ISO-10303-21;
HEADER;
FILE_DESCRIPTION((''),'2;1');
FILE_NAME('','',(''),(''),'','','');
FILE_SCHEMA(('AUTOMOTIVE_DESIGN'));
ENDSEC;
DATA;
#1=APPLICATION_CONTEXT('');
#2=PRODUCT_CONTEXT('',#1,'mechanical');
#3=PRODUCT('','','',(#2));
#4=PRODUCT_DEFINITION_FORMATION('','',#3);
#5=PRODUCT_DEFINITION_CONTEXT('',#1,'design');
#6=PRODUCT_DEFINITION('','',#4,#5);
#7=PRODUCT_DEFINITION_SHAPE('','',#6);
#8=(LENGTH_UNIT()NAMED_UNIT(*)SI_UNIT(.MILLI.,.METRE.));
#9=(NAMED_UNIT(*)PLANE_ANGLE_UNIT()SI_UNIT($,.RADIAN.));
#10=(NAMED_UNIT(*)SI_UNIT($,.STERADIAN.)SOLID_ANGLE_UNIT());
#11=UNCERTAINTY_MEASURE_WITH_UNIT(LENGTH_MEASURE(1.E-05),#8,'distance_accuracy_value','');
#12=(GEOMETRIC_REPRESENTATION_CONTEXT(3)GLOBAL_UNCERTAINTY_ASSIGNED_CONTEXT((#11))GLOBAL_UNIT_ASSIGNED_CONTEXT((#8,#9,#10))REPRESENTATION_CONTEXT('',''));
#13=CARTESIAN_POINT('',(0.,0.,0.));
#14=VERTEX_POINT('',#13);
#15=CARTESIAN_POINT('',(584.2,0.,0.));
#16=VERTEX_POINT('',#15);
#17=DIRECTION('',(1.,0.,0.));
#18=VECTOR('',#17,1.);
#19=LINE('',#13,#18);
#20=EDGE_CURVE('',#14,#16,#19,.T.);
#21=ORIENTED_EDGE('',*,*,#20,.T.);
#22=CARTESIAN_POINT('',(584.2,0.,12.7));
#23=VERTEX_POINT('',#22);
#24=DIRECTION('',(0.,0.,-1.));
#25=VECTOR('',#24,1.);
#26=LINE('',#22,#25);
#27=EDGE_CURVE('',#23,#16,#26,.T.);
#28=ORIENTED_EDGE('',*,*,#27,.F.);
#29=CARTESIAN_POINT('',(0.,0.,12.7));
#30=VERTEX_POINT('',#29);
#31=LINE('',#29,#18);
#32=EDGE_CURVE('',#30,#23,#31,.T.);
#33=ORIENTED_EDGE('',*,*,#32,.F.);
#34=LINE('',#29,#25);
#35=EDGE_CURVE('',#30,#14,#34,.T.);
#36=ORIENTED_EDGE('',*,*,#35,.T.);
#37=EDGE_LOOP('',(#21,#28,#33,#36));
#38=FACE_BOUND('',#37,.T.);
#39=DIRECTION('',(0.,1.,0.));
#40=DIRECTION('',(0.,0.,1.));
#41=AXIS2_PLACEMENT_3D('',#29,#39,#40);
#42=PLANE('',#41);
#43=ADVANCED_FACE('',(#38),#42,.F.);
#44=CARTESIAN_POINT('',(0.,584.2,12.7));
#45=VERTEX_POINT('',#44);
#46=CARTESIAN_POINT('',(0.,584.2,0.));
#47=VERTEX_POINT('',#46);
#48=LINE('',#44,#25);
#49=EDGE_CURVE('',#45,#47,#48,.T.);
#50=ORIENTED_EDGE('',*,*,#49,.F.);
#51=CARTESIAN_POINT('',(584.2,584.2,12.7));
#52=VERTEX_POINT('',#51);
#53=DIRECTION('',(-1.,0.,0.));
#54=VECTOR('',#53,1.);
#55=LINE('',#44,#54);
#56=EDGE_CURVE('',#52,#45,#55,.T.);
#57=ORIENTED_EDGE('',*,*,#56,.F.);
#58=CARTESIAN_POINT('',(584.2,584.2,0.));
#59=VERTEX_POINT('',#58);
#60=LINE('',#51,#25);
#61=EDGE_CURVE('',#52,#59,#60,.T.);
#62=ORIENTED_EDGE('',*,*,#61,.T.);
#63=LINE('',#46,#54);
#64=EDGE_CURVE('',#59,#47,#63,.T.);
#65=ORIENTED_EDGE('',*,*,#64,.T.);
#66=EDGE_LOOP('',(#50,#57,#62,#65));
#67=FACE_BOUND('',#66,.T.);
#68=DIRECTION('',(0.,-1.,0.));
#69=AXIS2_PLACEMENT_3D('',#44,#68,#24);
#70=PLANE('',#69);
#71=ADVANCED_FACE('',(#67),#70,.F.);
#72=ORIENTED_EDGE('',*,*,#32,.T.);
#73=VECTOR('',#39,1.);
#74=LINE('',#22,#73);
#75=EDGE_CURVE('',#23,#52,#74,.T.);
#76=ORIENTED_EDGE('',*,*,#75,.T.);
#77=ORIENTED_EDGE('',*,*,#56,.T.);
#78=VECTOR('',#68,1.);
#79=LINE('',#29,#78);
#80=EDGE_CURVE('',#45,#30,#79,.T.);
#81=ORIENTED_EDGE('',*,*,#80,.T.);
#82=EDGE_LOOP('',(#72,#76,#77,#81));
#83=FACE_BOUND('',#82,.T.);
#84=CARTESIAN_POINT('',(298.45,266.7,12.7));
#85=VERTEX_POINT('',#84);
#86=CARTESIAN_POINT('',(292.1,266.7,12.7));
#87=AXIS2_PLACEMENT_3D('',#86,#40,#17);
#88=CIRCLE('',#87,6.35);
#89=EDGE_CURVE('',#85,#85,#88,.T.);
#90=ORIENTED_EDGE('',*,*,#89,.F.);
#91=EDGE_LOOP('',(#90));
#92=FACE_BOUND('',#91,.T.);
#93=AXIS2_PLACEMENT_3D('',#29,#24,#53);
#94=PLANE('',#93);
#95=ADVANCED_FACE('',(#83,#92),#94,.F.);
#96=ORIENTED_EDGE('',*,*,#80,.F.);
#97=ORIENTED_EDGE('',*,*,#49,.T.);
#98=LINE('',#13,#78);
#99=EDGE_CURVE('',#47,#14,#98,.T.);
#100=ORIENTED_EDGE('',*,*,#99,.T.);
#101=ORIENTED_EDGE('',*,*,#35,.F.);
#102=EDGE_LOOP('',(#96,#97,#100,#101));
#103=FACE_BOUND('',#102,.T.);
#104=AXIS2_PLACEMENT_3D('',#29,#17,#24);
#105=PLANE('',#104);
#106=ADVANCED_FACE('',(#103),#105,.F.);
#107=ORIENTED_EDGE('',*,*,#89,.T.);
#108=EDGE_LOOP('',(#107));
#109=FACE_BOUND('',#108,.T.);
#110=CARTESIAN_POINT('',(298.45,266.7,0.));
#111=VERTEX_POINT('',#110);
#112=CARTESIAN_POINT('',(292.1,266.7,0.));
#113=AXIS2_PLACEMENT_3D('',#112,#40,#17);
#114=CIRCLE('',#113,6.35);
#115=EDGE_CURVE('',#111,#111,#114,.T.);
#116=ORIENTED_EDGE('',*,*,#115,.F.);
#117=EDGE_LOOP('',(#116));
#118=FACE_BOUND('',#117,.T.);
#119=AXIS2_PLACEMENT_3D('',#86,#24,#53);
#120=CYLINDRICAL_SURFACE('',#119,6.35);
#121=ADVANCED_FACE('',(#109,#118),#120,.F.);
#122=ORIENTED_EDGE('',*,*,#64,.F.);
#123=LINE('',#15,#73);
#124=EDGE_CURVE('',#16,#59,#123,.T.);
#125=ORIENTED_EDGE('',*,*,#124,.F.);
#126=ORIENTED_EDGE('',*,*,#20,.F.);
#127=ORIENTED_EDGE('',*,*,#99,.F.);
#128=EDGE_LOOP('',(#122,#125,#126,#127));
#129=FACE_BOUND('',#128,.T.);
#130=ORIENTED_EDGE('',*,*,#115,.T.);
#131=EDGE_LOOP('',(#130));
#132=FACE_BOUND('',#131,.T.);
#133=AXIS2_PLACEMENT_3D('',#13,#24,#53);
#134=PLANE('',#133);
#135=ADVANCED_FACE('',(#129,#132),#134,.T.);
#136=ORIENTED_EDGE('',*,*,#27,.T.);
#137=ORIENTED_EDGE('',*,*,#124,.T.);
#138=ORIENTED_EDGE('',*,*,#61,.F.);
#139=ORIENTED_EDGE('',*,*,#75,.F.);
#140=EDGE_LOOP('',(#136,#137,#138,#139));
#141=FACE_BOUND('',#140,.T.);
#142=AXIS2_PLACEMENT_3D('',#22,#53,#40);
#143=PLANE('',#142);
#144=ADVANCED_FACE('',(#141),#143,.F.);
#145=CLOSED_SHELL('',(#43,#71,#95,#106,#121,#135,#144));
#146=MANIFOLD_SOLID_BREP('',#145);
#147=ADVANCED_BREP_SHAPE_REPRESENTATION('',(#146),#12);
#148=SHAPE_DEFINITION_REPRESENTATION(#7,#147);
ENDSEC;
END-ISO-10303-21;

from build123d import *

# Parameters (mm, degrees)
SKETCH1_W           = 584.2
SKETCH1_H           = 584.2
SKETCH1_R           = 6.35
BOSS_EXTRUDE1_DEPTH = 12.7


with BuildPart() as part:
    # Sketch1 → Boss-Extrude1 (new body)
    with BuildSketch(Plane.XY):
        with Locations((292.1, 292.1)):
            Rectangle(SKETCH1_W, SKETCH1_H)
        with Locations((292.1, 266.7)):
            Circle(SKETCH1_R, mode=Mode.SUBTRACT)
    extrude(amount=BOSS_EXTRUDE1_DEPTH)


solid = part.part
